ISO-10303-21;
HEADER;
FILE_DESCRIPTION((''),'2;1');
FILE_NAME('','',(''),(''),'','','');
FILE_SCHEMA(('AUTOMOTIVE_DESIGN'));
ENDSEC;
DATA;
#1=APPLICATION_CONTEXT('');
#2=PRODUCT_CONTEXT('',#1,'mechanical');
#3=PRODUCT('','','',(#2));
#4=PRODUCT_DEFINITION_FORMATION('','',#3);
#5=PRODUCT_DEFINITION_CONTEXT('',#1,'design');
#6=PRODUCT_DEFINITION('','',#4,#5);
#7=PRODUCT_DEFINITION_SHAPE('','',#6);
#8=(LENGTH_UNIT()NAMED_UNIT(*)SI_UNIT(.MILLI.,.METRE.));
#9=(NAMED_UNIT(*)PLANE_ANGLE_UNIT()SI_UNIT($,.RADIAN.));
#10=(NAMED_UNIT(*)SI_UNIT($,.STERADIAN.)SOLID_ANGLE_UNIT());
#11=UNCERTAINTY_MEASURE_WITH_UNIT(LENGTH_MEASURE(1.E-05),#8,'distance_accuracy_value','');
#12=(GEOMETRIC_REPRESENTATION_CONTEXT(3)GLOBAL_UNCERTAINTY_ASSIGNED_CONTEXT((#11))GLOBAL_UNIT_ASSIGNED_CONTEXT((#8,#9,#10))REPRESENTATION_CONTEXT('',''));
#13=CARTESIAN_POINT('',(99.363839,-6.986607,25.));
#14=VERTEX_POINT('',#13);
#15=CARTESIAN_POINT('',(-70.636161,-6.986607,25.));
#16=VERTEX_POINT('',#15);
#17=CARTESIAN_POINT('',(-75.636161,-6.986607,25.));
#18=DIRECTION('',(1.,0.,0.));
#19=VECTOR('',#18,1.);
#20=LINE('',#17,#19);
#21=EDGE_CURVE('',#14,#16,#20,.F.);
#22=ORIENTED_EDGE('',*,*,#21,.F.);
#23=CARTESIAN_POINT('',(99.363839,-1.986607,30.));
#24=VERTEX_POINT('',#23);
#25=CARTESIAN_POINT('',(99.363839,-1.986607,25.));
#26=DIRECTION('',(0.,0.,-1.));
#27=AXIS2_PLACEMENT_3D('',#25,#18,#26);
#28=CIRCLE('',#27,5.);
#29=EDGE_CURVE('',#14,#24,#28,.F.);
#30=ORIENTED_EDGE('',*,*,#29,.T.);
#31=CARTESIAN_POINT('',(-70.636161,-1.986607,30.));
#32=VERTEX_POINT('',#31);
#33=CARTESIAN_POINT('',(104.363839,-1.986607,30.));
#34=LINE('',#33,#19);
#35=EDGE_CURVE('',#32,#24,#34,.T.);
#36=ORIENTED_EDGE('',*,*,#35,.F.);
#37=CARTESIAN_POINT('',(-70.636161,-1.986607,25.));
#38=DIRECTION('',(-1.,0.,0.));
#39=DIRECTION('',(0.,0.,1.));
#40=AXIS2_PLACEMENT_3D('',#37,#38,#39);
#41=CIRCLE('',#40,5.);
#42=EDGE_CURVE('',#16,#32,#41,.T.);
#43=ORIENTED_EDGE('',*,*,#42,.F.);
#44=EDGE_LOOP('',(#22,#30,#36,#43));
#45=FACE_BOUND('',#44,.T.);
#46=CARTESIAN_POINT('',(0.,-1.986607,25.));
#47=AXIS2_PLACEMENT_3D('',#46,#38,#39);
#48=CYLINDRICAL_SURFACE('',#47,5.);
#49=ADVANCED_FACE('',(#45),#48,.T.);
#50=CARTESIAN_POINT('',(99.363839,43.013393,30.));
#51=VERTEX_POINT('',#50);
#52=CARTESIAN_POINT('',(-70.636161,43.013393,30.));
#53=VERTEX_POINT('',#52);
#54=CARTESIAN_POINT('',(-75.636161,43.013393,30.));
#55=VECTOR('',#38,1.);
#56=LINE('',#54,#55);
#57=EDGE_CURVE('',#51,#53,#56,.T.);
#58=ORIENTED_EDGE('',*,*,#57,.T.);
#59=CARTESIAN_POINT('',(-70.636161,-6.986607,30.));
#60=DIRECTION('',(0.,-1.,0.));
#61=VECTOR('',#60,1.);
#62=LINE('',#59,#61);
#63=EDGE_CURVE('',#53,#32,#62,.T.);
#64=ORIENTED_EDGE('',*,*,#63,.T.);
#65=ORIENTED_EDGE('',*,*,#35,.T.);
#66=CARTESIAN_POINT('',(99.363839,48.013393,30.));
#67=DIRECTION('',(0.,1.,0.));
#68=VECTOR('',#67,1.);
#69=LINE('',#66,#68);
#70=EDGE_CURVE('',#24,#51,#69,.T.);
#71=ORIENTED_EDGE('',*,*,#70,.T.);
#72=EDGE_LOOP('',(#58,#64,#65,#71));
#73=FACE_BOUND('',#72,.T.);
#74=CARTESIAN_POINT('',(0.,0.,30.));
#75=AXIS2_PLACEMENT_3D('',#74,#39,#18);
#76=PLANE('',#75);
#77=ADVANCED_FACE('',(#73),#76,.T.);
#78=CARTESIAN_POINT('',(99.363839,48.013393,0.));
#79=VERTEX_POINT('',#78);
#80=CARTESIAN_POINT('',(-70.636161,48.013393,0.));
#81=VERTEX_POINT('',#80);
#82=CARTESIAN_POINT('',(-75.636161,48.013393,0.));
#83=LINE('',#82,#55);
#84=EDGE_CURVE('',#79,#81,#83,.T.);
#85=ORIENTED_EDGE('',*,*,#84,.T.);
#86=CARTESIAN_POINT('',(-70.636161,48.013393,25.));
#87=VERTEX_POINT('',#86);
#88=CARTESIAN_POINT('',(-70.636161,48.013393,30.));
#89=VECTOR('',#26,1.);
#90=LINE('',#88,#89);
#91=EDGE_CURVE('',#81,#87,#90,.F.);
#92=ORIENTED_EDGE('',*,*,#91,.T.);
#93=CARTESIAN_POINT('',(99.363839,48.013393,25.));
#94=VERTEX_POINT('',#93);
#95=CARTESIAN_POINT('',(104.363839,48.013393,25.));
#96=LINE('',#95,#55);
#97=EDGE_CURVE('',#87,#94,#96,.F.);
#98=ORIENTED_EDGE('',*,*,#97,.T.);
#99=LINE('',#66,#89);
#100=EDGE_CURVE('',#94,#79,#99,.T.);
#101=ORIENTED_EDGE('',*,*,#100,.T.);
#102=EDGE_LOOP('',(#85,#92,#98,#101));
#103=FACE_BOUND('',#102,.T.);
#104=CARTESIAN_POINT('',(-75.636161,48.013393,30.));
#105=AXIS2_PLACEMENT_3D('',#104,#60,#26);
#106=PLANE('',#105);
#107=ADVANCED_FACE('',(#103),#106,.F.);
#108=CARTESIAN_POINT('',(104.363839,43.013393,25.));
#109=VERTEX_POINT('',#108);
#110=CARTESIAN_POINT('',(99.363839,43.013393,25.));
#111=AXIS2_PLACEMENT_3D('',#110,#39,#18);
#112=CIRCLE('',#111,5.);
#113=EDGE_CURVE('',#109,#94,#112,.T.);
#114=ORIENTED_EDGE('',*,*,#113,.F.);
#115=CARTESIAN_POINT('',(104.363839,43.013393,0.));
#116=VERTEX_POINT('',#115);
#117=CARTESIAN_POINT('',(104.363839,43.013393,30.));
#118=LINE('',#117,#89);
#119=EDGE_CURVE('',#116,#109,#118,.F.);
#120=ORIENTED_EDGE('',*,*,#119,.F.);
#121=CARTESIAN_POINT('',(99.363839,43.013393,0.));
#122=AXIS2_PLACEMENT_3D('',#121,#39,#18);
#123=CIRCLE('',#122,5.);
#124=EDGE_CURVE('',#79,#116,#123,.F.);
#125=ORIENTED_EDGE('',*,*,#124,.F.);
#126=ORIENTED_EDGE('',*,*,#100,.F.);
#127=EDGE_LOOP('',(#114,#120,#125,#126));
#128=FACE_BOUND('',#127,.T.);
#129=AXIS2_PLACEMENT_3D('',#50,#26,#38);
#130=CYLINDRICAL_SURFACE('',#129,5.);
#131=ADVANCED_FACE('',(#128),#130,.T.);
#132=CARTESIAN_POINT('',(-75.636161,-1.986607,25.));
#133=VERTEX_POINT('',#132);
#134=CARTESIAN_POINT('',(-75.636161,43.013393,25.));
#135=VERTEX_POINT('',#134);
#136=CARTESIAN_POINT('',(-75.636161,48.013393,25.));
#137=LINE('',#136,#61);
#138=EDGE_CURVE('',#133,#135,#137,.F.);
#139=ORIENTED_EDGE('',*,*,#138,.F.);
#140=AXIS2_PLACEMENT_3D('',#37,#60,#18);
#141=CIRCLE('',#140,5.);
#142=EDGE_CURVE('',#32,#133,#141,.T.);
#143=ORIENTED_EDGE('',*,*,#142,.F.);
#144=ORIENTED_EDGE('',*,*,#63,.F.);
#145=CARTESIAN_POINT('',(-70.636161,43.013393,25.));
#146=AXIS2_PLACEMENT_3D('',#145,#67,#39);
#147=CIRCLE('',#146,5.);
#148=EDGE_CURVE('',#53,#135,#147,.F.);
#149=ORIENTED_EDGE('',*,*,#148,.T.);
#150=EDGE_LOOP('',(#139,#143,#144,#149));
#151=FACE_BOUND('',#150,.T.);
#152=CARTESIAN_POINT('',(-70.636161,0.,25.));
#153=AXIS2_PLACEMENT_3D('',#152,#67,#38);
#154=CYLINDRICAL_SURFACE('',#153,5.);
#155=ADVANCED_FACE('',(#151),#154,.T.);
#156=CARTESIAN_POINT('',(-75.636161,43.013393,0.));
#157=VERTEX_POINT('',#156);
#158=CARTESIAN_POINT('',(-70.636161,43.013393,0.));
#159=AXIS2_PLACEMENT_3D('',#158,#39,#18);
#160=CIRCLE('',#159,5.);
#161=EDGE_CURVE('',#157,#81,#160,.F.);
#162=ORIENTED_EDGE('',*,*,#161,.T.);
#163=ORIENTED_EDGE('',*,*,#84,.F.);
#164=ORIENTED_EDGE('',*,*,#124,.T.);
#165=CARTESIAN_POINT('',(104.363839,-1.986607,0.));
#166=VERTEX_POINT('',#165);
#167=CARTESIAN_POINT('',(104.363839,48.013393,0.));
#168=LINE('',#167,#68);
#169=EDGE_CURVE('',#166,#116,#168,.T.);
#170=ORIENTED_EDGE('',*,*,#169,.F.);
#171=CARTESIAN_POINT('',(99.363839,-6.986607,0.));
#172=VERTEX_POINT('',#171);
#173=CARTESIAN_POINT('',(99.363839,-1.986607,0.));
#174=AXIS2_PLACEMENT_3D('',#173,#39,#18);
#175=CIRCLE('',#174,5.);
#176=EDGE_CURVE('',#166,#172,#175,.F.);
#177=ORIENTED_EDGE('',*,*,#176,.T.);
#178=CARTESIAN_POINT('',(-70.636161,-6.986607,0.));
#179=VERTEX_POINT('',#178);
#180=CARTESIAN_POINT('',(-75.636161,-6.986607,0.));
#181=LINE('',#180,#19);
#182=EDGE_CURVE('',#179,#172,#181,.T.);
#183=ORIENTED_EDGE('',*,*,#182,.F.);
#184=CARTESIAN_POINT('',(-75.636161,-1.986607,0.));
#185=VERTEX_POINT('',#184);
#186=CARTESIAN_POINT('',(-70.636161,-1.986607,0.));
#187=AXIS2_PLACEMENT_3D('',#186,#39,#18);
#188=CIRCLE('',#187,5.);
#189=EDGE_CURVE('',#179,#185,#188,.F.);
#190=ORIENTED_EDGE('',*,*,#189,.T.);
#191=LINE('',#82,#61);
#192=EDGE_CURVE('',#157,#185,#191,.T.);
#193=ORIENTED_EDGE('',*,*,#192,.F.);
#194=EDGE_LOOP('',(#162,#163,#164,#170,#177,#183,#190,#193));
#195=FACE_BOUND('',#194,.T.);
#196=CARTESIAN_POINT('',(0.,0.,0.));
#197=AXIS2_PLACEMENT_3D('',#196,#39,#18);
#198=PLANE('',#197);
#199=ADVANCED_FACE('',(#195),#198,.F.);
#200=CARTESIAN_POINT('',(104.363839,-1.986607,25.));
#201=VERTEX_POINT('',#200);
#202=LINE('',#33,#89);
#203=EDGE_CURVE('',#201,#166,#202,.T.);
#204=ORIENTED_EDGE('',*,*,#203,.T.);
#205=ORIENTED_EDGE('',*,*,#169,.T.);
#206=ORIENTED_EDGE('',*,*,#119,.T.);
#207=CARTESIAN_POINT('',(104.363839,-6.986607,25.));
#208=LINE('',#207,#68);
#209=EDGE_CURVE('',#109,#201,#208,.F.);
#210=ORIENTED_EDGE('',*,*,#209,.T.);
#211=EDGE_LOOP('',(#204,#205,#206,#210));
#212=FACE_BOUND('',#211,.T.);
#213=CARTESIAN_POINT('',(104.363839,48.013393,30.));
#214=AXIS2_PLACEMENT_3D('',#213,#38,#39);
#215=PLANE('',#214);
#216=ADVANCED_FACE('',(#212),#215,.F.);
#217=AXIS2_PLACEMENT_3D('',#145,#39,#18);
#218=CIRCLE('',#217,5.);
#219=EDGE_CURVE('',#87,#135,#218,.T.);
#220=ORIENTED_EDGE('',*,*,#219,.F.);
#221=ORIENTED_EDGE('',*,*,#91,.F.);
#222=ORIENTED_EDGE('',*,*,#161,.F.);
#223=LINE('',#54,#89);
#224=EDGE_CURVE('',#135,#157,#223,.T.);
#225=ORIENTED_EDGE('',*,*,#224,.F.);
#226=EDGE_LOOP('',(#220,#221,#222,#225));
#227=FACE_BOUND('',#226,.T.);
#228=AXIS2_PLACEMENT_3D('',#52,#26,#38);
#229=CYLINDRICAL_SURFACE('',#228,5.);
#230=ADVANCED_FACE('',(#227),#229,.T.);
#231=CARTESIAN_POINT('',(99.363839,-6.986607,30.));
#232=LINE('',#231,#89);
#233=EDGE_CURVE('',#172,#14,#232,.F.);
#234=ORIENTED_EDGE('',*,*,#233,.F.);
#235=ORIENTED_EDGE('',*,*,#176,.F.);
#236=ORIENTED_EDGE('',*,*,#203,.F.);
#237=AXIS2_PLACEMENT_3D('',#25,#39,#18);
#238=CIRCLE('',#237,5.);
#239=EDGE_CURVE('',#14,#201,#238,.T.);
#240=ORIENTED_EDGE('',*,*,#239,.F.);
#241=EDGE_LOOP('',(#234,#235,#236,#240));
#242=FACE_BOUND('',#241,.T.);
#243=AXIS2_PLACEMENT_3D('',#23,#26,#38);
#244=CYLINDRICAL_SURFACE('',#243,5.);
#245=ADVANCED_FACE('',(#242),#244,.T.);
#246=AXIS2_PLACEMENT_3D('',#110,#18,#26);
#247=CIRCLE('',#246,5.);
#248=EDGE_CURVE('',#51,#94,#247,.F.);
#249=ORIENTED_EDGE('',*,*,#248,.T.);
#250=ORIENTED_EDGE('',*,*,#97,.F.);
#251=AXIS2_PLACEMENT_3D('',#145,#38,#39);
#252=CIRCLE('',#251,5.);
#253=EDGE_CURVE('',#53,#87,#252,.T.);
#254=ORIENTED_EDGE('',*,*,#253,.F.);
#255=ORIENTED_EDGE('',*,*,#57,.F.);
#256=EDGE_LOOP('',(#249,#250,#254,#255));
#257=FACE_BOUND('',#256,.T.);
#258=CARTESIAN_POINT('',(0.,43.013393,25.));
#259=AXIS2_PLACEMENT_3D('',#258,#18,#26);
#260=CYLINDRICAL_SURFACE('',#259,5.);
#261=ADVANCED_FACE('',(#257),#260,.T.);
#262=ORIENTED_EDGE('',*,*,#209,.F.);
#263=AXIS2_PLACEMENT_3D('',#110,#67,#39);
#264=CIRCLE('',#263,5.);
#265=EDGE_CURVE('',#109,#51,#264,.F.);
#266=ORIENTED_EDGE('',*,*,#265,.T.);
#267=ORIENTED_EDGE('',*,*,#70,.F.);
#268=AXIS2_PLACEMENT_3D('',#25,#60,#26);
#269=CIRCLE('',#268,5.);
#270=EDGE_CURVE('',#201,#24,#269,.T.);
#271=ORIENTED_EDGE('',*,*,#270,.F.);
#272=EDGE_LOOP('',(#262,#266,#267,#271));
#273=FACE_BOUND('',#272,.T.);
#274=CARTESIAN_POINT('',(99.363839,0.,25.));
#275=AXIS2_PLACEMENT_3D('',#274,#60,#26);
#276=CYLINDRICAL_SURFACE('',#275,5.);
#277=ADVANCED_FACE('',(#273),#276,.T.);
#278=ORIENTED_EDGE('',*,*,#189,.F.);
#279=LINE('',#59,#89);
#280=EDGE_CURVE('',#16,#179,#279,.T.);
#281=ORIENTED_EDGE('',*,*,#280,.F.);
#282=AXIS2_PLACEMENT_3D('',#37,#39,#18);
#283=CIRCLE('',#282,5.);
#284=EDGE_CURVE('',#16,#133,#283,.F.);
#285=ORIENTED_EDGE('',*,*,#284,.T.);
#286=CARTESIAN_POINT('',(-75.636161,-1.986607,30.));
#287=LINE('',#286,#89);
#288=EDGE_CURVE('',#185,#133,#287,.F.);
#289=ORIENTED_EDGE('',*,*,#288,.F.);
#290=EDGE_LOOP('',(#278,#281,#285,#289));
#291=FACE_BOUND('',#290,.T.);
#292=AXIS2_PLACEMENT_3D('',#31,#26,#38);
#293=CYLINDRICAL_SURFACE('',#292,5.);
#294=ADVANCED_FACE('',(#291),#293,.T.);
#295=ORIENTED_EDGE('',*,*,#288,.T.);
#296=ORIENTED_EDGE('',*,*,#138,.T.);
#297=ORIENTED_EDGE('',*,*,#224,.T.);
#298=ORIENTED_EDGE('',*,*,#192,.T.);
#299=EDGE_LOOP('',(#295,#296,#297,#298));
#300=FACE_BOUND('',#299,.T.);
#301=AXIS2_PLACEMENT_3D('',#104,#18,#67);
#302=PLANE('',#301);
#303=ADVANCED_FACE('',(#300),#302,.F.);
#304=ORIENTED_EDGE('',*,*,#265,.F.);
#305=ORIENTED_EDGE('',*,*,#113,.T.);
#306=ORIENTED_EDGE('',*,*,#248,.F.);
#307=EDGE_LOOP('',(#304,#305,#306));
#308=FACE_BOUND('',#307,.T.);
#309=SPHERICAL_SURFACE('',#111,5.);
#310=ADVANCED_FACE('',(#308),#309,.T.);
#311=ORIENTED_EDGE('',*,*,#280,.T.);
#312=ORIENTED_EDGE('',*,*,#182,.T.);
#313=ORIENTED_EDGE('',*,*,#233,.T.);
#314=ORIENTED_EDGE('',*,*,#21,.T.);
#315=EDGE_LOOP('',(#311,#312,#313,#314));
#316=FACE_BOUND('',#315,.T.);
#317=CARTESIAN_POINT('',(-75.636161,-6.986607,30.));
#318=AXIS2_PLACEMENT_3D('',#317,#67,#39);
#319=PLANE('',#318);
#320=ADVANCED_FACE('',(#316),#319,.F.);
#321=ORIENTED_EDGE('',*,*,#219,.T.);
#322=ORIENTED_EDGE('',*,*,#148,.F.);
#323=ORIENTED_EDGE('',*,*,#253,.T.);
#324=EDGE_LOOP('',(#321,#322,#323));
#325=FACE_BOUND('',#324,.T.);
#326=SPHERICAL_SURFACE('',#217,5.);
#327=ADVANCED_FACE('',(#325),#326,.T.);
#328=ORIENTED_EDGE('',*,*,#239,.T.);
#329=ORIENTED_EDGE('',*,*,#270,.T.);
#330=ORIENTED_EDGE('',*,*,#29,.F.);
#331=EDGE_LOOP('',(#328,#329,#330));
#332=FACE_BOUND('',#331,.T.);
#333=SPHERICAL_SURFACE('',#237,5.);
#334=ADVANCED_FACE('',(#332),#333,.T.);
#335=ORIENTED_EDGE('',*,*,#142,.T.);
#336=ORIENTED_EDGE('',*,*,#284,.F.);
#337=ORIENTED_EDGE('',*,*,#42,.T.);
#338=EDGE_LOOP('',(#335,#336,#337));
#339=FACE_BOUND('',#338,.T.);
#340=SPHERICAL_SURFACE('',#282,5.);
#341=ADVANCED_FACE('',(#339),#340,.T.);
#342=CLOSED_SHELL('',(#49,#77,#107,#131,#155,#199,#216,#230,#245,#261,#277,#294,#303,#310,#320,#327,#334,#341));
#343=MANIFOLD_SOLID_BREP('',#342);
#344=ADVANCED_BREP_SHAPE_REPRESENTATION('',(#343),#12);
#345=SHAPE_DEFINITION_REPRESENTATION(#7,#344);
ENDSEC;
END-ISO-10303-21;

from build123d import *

# Parameters (mm, degrees)
SKETCH1_W           = 180
SKETCH1_H           = 55
BOSS_EXTRUDE1_DEPTH = 30
FILLET1_R           = 5


with BuildPart() as part:
    # Sketch1 → Boss-Extrude1 (new body)
    with BuildSketch(Plane.XY):
        with Locations((14.363839286, 20.513392857)):
            Rectangle(SKETCH1_W, SKETCH1_H)
    extrude(amount=BOSS_EXTRUDE1_DEPTH)

    # Fillet1
    fillet1_edges = [part.edges().sort_by_distance(p)[0] for p in [
        (104.363839286, 20.513392857, 30),
        (14.363839286, 48.013392857, 30),
        (-75.636160714, 20.513392857, 30),
        (14.363839286, -6.986607143, 30),
        (-75.636160714, 48.013392857, 15),
        (104.363839286, 48.013392857, 15),
        (104.363839286, -6.986607143, 15),
        (-75.636160714, -6.986607143, 15),
    ]]
    fillet(fillet1_edges, radius=FILLET1_R)


solid = part.part
